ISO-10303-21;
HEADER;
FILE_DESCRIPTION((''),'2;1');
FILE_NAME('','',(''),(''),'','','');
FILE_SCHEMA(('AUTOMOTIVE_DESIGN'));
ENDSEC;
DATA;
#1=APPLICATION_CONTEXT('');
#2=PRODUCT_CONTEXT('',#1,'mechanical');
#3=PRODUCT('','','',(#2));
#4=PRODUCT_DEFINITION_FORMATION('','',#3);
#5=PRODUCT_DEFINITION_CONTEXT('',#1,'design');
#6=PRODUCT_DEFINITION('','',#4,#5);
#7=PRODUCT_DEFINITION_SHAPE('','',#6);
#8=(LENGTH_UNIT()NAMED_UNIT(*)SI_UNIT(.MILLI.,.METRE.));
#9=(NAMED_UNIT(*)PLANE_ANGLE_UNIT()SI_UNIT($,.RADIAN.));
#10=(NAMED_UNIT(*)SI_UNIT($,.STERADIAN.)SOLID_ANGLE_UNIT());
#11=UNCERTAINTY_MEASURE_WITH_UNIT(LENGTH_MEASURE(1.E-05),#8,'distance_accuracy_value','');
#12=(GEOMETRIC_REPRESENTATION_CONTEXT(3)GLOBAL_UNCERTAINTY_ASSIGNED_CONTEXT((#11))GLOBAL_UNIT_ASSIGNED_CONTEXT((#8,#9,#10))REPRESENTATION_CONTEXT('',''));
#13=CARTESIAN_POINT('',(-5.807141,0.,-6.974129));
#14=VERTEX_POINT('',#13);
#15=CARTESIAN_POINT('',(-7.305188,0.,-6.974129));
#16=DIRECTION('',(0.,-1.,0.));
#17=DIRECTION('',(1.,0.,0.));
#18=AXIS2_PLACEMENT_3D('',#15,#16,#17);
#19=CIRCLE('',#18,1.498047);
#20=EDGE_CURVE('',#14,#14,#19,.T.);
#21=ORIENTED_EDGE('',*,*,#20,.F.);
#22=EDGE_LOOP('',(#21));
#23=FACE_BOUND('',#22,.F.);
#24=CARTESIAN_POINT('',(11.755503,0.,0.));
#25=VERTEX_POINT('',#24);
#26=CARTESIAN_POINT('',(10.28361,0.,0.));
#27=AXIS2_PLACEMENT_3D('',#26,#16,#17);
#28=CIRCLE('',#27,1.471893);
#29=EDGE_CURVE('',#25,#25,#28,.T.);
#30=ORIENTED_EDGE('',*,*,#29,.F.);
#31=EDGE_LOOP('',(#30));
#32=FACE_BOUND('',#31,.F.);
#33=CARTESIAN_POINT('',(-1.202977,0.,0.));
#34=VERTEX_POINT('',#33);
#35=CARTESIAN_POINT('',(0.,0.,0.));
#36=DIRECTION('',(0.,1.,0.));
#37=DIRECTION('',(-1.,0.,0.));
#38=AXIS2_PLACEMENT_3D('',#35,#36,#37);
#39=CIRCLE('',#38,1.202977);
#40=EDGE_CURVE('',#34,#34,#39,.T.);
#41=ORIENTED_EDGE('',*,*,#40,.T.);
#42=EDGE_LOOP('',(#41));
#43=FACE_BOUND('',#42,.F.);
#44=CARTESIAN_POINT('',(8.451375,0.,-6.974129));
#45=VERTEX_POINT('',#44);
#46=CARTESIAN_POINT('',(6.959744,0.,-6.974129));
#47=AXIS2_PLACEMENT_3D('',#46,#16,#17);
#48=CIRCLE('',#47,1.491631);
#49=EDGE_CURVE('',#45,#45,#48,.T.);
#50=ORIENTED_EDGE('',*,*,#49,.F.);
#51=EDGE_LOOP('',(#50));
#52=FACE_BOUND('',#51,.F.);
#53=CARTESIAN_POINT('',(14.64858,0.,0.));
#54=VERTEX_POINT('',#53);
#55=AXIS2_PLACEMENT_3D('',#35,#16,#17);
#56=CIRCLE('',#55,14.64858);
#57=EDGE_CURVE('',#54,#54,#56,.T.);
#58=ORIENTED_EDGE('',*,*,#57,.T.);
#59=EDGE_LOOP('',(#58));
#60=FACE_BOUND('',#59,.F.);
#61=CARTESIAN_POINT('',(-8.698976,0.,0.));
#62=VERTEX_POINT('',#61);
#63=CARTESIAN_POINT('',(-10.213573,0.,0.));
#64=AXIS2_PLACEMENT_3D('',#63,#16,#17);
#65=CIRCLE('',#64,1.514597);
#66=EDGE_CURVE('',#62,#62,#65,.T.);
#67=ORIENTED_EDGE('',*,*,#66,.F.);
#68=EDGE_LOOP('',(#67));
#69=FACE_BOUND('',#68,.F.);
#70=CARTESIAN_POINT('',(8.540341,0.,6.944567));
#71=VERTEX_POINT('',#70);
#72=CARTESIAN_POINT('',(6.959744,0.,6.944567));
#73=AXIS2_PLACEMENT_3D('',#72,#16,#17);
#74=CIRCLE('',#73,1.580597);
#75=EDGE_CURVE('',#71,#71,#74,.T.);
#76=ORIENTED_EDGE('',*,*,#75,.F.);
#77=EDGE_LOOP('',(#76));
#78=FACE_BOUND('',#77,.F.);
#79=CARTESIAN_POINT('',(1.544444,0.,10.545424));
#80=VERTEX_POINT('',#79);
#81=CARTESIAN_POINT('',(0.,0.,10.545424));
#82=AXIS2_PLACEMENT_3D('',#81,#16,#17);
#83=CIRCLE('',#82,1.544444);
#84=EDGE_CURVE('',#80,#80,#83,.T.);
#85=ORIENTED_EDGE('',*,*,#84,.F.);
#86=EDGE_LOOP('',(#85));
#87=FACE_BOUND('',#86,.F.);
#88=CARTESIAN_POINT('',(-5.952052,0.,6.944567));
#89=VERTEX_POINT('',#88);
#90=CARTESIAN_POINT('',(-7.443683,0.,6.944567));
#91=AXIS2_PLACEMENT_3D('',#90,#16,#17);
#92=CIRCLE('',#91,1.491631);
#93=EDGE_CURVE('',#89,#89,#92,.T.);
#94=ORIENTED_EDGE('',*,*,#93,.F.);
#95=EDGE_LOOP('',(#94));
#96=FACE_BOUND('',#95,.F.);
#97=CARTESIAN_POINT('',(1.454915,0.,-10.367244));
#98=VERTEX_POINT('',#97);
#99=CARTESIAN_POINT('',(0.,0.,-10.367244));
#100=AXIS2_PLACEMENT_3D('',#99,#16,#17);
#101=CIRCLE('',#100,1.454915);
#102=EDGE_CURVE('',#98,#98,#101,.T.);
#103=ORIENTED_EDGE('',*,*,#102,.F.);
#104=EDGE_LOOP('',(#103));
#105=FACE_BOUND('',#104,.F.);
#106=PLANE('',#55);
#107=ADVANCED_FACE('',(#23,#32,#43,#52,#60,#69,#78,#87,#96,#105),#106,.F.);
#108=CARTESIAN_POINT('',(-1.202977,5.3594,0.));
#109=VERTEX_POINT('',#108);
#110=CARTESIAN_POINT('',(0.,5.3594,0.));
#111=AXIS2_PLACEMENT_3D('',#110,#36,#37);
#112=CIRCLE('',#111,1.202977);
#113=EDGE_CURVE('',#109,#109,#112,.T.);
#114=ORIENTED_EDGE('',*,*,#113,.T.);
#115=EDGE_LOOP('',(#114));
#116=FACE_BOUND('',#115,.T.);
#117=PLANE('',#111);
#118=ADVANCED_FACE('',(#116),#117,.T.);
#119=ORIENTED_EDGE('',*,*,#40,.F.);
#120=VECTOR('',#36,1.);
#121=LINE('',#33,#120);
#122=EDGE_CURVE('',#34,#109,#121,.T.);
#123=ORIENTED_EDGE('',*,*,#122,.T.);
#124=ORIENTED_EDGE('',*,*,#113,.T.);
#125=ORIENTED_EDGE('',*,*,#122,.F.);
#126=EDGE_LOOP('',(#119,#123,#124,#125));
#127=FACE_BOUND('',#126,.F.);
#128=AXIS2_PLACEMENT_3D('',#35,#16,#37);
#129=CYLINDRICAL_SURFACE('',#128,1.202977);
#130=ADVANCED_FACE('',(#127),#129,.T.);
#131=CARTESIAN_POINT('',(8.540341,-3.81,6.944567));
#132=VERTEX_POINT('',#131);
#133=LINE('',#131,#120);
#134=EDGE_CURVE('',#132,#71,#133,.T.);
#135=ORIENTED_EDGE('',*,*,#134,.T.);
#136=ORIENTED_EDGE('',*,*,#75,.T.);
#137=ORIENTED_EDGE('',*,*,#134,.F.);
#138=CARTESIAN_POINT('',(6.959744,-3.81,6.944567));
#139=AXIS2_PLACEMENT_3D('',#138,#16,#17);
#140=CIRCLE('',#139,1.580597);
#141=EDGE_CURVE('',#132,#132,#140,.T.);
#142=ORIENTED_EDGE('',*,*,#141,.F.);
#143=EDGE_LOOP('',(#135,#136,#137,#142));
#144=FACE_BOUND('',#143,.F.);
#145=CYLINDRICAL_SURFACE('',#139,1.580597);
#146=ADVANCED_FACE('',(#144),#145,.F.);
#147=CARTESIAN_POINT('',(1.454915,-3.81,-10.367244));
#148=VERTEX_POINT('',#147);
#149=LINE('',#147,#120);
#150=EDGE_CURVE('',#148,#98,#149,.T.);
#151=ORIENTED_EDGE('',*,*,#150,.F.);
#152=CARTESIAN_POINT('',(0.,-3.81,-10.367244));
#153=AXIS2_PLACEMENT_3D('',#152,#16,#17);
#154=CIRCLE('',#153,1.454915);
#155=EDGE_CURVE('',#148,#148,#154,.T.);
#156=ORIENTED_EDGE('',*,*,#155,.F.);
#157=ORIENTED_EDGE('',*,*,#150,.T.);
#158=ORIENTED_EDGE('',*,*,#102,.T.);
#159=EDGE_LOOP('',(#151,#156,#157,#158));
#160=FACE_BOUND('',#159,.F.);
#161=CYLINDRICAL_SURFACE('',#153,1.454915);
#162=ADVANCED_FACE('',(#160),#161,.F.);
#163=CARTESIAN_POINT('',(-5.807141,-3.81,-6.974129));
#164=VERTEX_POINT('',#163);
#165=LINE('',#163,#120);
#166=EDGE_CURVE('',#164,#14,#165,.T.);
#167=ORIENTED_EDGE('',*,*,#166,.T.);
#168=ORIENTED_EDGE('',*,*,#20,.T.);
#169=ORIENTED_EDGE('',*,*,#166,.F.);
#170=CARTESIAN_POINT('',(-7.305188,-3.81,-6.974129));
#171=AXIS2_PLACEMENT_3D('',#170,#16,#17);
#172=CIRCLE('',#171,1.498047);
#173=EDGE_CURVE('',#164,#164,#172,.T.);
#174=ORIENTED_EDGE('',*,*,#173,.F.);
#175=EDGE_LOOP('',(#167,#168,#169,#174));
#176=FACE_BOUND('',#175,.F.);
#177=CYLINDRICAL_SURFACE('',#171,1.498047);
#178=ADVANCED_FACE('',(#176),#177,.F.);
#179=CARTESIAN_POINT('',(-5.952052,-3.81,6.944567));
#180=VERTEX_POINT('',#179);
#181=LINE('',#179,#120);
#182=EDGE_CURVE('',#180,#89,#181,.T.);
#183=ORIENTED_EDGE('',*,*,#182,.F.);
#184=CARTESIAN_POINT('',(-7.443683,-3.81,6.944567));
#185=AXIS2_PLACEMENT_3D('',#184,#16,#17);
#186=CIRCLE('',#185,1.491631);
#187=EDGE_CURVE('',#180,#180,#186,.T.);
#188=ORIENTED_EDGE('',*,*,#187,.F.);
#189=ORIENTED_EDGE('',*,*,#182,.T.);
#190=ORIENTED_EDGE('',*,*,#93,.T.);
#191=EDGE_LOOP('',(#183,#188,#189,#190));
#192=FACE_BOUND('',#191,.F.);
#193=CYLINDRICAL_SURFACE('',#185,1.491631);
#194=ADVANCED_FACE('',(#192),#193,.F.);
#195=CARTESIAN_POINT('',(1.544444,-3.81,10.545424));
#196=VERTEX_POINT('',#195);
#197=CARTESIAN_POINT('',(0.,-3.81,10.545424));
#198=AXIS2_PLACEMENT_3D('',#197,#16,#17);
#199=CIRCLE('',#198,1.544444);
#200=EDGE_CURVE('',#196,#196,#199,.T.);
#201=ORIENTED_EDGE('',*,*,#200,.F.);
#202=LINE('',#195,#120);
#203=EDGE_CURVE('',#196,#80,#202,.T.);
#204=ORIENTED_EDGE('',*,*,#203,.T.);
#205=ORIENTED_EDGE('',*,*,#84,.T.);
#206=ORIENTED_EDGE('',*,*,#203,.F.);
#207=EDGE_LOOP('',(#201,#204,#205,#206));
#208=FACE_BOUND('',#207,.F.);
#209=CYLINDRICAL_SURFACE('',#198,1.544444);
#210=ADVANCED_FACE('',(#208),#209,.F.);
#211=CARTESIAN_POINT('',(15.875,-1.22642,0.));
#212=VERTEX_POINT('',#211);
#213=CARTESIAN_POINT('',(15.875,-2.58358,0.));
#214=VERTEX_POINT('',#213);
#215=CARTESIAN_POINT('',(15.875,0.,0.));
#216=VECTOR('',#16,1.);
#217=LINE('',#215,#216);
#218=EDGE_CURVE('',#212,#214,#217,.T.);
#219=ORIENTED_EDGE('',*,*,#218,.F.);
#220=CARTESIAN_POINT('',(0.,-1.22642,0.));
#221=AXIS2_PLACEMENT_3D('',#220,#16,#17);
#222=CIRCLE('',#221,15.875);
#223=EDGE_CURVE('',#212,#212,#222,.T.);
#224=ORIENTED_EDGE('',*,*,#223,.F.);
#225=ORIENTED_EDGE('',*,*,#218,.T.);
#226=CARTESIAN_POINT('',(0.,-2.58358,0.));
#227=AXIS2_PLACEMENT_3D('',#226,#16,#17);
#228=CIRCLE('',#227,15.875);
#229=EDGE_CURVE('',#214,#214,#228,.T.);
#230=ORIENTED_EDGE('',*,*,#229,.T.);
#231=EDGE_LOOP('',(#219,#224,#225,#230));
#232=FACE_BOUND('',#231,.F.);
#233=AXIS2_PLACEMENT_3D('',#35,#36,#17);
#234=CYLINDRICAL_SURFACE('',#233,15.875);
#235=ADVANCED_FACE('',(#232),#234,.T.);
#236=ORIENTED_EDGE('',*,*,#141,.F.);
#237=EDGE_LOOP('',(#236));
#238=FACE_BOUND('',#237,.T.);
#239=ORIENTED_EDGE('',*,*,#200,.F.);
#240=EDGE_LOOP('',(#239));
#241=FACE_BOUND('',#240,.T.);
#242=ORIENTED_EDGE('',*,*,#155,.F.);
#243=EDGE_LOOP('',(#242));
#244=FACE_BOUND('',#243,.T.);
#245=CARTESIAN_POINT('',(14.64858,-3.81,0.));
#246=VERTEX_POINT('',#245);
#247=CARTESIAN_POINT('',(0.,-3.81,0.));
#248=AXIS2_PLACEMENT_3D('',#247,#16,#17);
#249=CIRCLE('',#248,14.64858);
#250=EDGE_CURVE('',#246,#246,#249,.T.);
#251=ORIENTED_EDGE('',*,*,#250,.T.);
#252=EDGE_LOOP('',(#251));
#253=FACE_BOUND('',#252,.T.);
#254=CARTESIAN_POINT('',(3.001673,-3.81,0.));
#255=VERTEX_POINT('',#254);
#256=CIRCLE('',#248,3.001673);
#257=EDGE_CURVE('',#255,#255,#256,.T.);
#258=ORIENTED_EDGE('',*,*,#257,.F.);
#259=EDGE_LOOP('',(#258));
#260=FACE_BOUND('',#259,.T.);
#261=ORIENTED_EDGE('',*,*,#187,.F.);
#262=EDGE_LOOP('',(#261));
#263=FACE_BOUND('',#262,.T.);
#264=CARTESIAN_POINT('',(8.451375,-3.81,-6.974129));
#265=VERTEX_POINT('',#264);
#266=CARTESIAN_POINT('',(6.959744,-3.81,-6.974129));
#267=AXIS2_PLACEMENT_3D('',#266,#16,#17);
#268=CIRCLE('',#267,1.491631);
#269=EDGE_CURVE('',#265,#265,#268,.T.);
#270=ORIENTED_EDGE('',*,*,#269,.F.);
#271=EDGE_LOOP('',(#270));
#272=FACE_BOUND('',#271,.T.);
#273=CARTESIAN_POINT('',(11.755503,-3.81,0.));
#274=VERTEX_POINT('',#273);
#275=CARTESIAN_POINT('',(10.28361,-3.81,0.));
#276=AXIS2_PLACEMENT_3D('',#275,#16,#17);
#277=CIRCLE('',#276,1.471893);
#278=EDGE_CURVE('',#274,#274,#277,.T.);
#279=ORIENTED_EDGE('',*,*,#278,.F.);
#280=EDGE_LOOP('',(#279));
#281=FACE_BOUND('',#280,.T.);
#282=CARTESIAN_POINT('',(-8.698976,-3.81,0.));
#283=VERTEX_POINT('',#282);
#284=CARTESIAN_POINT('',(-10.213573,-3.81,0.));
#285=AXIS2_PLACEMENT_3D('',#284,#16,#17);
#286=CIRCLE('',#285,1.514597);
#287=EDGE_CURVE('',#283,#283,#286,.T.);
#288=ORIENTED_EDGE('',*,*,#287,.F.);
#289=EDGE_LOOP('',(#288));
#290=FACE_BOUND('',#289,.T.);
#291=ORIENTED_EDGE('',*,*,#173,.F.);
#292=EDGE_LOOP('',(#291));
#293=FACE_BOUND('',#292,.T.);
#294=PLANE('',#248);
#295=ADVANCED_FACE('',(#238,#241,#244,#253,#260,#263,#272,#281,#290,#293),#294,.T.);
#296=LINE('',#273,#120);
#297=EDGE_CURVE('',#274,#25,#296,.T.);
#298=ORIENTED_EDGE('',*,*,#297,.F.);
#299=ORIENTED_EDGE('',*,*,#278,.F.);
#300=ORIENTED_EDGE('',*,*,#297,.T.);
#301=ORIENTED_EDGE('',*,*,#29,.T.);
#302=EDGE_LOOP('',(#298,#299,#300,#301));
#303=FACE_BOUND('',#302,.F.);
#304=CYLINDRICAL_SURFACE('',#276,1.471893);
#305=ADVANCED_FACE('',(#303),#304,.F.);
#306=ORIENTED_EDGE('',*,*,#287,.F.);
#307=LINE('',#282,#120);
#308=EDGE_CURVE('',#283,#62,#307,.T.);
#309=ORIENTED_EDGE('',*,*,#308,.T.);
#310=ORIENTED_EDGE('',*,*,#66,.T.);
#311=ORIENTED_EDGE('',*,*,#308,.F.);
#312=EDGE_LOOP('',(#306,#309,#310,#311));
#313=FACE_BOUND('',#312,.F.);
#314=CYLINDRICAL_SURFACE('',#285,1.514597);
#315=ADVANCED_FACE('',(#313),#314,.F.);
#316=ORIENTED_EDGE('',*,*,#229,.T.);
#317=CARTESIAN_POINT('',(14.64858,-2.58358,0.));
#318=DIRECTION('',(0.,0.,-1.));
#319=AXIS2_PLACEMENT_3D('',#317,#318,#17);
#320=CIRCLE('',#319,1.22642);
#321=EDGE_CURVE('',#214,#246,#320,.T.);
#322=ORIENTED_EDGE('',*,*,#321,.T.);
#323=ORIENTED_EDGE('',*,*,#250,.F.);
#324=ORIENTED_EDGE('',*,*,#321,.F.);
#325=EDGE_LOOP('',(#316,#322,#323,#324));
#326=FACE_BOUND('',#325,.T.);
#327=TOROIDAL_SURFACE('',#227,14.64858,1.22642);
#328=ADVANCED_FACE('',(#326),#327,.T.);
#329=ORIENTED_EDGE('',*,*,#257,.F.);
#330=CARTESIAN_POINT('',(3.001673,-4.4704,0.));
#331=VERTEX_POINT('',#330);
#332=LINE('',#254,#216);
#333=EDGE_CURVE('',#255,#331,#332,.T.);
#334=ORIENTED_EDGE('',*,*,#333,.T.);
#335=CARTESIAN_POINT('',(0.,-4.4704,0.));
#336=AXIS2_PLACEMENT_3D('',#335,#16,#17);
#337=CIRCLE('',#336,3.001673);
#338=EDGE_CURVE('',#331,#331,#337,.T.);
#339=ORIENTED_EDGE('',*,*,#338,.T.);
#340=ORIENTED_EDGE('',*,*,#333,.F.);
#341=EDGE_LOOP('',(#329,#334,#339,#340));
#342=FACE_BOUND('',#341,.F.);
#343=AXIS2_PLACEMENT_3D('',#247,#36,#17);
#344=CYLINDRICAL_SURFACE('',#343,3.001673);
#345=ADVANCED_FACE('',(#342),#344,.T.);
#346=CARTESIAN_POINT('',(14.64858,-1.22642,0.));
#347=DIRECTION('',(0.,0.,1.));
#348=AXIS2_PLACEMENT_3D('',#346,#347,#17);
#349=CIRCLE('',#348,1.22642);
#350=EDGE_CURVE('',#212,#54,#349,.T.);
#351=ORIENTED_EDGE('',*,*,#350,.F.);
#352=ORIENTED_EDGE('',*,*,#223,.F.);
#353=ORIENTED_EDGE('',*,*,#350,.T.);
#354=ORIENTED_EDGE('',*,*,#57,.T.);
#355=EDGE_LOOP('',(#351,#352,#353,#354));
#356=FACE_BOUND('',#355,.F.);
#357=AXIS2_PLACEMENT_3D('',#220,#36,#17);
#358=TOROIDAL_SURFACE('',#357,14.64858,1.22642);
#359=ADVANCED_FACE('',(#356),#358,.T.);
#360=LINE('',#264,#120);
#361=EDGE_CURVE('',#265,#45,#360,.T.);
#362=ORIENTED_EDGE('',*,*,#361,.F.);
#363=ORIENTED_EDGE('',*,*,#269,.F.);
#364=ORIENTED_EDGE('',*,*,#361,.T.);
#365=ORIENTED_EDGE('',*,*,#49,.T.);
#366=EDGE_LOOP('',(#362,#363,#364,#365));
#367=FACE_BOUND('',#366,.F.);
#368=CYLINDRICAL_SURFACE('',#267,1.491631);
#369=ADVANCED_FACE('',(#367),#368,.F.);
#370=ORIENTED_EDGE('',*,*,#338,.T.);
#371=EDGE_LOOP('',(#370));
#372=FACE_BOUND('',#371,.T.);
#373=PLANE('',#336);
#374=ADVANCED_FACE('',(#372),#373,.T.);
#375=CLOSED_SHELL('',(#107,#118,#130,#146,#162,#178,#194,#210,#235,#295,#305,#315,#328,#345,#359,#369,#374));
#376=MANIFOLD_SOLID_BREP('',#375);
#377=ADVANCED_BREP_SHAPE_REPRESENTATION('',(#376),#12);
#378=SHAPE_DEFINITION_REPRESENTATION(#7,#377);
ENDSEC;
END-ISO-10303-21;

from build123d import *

# Parameters (mm, degrees)
F0_R     = 15.875
F1_DEPTH = 3.81
F3_R     = 1.454915
F3_R_2   = 1.498047
F3_R_3   = 1.514597
F3_R_4   = 1.491631
F3_R_5   = 1.471893
F3_R_6   = 1.580597
F3_R_7   = 1.544444
F4_DEPTH = 25.4
F6_R     = 1.22642
F7_R     = 1.202977
F8_DEPTH = 5.3594
F5_R     = 3.001673
F9_DEPTH = 0.6604


with BuildPart() as f1:
    # F0 (on Front) → F1 (new body)
    with BuildSketch(Plane.XZ):
        Circle(F0_R)
    extrude(amount=F1_DEPTH)

    # F3 (on face) → F4 (cut)
    with BuildSketch(Plane.XZ.offset(3.81)):
        with Locations((0, -10.367244)):
            Circle(F3_R)
        with Locations((-7.305188, -6.974129)):
            Circle(F3_R_2)
        with Locations((-10.213573, 0)):
            Circle(F3_R_3)
        with Locations((-7.443683, 6.944567)):
            Circle(F3_R_4)
        with Locations((10.28361, 0)):
            Circle(F3_R_5)
        with Locations((6.959744, -6.974129)):
            Circle(F3_R_4)
        with Locations((6.959744, 6.944567)):
            Circle(F3_R_6)
        with Locations((0, 10.545424)):
            Circle(F3_R_7)
    extrude(amount=-F4_DEPTH, mode=Mode.SUBTRACT)

    # F6
    f6_edges = [f1.edges().sort_by_distance(p)[0] for p in [
        (15.875, -1.905, 0),
        (-15.875, 0, 0),
        (-15.875, -3.81, 0),
    ]]
    fillet(f6_edges, radius=F6_R)

    # F7 (on face) → F8 (join)
    with BuildSketch(Plane(origin=(0, 0, 0), x_dir=(-1, 0, 0), z_dir=(0, 1, 0))):
        Circle(F7_R)
    extrude(amount=F8_DEPTH)

    # F5 (on face) → F9 (join)
    with BuildSketch(Plane.XZ.offset(3.81)):
        Circle(F5_R)
    extrude(amount=F9_DEPTH)


solid = f1.part
